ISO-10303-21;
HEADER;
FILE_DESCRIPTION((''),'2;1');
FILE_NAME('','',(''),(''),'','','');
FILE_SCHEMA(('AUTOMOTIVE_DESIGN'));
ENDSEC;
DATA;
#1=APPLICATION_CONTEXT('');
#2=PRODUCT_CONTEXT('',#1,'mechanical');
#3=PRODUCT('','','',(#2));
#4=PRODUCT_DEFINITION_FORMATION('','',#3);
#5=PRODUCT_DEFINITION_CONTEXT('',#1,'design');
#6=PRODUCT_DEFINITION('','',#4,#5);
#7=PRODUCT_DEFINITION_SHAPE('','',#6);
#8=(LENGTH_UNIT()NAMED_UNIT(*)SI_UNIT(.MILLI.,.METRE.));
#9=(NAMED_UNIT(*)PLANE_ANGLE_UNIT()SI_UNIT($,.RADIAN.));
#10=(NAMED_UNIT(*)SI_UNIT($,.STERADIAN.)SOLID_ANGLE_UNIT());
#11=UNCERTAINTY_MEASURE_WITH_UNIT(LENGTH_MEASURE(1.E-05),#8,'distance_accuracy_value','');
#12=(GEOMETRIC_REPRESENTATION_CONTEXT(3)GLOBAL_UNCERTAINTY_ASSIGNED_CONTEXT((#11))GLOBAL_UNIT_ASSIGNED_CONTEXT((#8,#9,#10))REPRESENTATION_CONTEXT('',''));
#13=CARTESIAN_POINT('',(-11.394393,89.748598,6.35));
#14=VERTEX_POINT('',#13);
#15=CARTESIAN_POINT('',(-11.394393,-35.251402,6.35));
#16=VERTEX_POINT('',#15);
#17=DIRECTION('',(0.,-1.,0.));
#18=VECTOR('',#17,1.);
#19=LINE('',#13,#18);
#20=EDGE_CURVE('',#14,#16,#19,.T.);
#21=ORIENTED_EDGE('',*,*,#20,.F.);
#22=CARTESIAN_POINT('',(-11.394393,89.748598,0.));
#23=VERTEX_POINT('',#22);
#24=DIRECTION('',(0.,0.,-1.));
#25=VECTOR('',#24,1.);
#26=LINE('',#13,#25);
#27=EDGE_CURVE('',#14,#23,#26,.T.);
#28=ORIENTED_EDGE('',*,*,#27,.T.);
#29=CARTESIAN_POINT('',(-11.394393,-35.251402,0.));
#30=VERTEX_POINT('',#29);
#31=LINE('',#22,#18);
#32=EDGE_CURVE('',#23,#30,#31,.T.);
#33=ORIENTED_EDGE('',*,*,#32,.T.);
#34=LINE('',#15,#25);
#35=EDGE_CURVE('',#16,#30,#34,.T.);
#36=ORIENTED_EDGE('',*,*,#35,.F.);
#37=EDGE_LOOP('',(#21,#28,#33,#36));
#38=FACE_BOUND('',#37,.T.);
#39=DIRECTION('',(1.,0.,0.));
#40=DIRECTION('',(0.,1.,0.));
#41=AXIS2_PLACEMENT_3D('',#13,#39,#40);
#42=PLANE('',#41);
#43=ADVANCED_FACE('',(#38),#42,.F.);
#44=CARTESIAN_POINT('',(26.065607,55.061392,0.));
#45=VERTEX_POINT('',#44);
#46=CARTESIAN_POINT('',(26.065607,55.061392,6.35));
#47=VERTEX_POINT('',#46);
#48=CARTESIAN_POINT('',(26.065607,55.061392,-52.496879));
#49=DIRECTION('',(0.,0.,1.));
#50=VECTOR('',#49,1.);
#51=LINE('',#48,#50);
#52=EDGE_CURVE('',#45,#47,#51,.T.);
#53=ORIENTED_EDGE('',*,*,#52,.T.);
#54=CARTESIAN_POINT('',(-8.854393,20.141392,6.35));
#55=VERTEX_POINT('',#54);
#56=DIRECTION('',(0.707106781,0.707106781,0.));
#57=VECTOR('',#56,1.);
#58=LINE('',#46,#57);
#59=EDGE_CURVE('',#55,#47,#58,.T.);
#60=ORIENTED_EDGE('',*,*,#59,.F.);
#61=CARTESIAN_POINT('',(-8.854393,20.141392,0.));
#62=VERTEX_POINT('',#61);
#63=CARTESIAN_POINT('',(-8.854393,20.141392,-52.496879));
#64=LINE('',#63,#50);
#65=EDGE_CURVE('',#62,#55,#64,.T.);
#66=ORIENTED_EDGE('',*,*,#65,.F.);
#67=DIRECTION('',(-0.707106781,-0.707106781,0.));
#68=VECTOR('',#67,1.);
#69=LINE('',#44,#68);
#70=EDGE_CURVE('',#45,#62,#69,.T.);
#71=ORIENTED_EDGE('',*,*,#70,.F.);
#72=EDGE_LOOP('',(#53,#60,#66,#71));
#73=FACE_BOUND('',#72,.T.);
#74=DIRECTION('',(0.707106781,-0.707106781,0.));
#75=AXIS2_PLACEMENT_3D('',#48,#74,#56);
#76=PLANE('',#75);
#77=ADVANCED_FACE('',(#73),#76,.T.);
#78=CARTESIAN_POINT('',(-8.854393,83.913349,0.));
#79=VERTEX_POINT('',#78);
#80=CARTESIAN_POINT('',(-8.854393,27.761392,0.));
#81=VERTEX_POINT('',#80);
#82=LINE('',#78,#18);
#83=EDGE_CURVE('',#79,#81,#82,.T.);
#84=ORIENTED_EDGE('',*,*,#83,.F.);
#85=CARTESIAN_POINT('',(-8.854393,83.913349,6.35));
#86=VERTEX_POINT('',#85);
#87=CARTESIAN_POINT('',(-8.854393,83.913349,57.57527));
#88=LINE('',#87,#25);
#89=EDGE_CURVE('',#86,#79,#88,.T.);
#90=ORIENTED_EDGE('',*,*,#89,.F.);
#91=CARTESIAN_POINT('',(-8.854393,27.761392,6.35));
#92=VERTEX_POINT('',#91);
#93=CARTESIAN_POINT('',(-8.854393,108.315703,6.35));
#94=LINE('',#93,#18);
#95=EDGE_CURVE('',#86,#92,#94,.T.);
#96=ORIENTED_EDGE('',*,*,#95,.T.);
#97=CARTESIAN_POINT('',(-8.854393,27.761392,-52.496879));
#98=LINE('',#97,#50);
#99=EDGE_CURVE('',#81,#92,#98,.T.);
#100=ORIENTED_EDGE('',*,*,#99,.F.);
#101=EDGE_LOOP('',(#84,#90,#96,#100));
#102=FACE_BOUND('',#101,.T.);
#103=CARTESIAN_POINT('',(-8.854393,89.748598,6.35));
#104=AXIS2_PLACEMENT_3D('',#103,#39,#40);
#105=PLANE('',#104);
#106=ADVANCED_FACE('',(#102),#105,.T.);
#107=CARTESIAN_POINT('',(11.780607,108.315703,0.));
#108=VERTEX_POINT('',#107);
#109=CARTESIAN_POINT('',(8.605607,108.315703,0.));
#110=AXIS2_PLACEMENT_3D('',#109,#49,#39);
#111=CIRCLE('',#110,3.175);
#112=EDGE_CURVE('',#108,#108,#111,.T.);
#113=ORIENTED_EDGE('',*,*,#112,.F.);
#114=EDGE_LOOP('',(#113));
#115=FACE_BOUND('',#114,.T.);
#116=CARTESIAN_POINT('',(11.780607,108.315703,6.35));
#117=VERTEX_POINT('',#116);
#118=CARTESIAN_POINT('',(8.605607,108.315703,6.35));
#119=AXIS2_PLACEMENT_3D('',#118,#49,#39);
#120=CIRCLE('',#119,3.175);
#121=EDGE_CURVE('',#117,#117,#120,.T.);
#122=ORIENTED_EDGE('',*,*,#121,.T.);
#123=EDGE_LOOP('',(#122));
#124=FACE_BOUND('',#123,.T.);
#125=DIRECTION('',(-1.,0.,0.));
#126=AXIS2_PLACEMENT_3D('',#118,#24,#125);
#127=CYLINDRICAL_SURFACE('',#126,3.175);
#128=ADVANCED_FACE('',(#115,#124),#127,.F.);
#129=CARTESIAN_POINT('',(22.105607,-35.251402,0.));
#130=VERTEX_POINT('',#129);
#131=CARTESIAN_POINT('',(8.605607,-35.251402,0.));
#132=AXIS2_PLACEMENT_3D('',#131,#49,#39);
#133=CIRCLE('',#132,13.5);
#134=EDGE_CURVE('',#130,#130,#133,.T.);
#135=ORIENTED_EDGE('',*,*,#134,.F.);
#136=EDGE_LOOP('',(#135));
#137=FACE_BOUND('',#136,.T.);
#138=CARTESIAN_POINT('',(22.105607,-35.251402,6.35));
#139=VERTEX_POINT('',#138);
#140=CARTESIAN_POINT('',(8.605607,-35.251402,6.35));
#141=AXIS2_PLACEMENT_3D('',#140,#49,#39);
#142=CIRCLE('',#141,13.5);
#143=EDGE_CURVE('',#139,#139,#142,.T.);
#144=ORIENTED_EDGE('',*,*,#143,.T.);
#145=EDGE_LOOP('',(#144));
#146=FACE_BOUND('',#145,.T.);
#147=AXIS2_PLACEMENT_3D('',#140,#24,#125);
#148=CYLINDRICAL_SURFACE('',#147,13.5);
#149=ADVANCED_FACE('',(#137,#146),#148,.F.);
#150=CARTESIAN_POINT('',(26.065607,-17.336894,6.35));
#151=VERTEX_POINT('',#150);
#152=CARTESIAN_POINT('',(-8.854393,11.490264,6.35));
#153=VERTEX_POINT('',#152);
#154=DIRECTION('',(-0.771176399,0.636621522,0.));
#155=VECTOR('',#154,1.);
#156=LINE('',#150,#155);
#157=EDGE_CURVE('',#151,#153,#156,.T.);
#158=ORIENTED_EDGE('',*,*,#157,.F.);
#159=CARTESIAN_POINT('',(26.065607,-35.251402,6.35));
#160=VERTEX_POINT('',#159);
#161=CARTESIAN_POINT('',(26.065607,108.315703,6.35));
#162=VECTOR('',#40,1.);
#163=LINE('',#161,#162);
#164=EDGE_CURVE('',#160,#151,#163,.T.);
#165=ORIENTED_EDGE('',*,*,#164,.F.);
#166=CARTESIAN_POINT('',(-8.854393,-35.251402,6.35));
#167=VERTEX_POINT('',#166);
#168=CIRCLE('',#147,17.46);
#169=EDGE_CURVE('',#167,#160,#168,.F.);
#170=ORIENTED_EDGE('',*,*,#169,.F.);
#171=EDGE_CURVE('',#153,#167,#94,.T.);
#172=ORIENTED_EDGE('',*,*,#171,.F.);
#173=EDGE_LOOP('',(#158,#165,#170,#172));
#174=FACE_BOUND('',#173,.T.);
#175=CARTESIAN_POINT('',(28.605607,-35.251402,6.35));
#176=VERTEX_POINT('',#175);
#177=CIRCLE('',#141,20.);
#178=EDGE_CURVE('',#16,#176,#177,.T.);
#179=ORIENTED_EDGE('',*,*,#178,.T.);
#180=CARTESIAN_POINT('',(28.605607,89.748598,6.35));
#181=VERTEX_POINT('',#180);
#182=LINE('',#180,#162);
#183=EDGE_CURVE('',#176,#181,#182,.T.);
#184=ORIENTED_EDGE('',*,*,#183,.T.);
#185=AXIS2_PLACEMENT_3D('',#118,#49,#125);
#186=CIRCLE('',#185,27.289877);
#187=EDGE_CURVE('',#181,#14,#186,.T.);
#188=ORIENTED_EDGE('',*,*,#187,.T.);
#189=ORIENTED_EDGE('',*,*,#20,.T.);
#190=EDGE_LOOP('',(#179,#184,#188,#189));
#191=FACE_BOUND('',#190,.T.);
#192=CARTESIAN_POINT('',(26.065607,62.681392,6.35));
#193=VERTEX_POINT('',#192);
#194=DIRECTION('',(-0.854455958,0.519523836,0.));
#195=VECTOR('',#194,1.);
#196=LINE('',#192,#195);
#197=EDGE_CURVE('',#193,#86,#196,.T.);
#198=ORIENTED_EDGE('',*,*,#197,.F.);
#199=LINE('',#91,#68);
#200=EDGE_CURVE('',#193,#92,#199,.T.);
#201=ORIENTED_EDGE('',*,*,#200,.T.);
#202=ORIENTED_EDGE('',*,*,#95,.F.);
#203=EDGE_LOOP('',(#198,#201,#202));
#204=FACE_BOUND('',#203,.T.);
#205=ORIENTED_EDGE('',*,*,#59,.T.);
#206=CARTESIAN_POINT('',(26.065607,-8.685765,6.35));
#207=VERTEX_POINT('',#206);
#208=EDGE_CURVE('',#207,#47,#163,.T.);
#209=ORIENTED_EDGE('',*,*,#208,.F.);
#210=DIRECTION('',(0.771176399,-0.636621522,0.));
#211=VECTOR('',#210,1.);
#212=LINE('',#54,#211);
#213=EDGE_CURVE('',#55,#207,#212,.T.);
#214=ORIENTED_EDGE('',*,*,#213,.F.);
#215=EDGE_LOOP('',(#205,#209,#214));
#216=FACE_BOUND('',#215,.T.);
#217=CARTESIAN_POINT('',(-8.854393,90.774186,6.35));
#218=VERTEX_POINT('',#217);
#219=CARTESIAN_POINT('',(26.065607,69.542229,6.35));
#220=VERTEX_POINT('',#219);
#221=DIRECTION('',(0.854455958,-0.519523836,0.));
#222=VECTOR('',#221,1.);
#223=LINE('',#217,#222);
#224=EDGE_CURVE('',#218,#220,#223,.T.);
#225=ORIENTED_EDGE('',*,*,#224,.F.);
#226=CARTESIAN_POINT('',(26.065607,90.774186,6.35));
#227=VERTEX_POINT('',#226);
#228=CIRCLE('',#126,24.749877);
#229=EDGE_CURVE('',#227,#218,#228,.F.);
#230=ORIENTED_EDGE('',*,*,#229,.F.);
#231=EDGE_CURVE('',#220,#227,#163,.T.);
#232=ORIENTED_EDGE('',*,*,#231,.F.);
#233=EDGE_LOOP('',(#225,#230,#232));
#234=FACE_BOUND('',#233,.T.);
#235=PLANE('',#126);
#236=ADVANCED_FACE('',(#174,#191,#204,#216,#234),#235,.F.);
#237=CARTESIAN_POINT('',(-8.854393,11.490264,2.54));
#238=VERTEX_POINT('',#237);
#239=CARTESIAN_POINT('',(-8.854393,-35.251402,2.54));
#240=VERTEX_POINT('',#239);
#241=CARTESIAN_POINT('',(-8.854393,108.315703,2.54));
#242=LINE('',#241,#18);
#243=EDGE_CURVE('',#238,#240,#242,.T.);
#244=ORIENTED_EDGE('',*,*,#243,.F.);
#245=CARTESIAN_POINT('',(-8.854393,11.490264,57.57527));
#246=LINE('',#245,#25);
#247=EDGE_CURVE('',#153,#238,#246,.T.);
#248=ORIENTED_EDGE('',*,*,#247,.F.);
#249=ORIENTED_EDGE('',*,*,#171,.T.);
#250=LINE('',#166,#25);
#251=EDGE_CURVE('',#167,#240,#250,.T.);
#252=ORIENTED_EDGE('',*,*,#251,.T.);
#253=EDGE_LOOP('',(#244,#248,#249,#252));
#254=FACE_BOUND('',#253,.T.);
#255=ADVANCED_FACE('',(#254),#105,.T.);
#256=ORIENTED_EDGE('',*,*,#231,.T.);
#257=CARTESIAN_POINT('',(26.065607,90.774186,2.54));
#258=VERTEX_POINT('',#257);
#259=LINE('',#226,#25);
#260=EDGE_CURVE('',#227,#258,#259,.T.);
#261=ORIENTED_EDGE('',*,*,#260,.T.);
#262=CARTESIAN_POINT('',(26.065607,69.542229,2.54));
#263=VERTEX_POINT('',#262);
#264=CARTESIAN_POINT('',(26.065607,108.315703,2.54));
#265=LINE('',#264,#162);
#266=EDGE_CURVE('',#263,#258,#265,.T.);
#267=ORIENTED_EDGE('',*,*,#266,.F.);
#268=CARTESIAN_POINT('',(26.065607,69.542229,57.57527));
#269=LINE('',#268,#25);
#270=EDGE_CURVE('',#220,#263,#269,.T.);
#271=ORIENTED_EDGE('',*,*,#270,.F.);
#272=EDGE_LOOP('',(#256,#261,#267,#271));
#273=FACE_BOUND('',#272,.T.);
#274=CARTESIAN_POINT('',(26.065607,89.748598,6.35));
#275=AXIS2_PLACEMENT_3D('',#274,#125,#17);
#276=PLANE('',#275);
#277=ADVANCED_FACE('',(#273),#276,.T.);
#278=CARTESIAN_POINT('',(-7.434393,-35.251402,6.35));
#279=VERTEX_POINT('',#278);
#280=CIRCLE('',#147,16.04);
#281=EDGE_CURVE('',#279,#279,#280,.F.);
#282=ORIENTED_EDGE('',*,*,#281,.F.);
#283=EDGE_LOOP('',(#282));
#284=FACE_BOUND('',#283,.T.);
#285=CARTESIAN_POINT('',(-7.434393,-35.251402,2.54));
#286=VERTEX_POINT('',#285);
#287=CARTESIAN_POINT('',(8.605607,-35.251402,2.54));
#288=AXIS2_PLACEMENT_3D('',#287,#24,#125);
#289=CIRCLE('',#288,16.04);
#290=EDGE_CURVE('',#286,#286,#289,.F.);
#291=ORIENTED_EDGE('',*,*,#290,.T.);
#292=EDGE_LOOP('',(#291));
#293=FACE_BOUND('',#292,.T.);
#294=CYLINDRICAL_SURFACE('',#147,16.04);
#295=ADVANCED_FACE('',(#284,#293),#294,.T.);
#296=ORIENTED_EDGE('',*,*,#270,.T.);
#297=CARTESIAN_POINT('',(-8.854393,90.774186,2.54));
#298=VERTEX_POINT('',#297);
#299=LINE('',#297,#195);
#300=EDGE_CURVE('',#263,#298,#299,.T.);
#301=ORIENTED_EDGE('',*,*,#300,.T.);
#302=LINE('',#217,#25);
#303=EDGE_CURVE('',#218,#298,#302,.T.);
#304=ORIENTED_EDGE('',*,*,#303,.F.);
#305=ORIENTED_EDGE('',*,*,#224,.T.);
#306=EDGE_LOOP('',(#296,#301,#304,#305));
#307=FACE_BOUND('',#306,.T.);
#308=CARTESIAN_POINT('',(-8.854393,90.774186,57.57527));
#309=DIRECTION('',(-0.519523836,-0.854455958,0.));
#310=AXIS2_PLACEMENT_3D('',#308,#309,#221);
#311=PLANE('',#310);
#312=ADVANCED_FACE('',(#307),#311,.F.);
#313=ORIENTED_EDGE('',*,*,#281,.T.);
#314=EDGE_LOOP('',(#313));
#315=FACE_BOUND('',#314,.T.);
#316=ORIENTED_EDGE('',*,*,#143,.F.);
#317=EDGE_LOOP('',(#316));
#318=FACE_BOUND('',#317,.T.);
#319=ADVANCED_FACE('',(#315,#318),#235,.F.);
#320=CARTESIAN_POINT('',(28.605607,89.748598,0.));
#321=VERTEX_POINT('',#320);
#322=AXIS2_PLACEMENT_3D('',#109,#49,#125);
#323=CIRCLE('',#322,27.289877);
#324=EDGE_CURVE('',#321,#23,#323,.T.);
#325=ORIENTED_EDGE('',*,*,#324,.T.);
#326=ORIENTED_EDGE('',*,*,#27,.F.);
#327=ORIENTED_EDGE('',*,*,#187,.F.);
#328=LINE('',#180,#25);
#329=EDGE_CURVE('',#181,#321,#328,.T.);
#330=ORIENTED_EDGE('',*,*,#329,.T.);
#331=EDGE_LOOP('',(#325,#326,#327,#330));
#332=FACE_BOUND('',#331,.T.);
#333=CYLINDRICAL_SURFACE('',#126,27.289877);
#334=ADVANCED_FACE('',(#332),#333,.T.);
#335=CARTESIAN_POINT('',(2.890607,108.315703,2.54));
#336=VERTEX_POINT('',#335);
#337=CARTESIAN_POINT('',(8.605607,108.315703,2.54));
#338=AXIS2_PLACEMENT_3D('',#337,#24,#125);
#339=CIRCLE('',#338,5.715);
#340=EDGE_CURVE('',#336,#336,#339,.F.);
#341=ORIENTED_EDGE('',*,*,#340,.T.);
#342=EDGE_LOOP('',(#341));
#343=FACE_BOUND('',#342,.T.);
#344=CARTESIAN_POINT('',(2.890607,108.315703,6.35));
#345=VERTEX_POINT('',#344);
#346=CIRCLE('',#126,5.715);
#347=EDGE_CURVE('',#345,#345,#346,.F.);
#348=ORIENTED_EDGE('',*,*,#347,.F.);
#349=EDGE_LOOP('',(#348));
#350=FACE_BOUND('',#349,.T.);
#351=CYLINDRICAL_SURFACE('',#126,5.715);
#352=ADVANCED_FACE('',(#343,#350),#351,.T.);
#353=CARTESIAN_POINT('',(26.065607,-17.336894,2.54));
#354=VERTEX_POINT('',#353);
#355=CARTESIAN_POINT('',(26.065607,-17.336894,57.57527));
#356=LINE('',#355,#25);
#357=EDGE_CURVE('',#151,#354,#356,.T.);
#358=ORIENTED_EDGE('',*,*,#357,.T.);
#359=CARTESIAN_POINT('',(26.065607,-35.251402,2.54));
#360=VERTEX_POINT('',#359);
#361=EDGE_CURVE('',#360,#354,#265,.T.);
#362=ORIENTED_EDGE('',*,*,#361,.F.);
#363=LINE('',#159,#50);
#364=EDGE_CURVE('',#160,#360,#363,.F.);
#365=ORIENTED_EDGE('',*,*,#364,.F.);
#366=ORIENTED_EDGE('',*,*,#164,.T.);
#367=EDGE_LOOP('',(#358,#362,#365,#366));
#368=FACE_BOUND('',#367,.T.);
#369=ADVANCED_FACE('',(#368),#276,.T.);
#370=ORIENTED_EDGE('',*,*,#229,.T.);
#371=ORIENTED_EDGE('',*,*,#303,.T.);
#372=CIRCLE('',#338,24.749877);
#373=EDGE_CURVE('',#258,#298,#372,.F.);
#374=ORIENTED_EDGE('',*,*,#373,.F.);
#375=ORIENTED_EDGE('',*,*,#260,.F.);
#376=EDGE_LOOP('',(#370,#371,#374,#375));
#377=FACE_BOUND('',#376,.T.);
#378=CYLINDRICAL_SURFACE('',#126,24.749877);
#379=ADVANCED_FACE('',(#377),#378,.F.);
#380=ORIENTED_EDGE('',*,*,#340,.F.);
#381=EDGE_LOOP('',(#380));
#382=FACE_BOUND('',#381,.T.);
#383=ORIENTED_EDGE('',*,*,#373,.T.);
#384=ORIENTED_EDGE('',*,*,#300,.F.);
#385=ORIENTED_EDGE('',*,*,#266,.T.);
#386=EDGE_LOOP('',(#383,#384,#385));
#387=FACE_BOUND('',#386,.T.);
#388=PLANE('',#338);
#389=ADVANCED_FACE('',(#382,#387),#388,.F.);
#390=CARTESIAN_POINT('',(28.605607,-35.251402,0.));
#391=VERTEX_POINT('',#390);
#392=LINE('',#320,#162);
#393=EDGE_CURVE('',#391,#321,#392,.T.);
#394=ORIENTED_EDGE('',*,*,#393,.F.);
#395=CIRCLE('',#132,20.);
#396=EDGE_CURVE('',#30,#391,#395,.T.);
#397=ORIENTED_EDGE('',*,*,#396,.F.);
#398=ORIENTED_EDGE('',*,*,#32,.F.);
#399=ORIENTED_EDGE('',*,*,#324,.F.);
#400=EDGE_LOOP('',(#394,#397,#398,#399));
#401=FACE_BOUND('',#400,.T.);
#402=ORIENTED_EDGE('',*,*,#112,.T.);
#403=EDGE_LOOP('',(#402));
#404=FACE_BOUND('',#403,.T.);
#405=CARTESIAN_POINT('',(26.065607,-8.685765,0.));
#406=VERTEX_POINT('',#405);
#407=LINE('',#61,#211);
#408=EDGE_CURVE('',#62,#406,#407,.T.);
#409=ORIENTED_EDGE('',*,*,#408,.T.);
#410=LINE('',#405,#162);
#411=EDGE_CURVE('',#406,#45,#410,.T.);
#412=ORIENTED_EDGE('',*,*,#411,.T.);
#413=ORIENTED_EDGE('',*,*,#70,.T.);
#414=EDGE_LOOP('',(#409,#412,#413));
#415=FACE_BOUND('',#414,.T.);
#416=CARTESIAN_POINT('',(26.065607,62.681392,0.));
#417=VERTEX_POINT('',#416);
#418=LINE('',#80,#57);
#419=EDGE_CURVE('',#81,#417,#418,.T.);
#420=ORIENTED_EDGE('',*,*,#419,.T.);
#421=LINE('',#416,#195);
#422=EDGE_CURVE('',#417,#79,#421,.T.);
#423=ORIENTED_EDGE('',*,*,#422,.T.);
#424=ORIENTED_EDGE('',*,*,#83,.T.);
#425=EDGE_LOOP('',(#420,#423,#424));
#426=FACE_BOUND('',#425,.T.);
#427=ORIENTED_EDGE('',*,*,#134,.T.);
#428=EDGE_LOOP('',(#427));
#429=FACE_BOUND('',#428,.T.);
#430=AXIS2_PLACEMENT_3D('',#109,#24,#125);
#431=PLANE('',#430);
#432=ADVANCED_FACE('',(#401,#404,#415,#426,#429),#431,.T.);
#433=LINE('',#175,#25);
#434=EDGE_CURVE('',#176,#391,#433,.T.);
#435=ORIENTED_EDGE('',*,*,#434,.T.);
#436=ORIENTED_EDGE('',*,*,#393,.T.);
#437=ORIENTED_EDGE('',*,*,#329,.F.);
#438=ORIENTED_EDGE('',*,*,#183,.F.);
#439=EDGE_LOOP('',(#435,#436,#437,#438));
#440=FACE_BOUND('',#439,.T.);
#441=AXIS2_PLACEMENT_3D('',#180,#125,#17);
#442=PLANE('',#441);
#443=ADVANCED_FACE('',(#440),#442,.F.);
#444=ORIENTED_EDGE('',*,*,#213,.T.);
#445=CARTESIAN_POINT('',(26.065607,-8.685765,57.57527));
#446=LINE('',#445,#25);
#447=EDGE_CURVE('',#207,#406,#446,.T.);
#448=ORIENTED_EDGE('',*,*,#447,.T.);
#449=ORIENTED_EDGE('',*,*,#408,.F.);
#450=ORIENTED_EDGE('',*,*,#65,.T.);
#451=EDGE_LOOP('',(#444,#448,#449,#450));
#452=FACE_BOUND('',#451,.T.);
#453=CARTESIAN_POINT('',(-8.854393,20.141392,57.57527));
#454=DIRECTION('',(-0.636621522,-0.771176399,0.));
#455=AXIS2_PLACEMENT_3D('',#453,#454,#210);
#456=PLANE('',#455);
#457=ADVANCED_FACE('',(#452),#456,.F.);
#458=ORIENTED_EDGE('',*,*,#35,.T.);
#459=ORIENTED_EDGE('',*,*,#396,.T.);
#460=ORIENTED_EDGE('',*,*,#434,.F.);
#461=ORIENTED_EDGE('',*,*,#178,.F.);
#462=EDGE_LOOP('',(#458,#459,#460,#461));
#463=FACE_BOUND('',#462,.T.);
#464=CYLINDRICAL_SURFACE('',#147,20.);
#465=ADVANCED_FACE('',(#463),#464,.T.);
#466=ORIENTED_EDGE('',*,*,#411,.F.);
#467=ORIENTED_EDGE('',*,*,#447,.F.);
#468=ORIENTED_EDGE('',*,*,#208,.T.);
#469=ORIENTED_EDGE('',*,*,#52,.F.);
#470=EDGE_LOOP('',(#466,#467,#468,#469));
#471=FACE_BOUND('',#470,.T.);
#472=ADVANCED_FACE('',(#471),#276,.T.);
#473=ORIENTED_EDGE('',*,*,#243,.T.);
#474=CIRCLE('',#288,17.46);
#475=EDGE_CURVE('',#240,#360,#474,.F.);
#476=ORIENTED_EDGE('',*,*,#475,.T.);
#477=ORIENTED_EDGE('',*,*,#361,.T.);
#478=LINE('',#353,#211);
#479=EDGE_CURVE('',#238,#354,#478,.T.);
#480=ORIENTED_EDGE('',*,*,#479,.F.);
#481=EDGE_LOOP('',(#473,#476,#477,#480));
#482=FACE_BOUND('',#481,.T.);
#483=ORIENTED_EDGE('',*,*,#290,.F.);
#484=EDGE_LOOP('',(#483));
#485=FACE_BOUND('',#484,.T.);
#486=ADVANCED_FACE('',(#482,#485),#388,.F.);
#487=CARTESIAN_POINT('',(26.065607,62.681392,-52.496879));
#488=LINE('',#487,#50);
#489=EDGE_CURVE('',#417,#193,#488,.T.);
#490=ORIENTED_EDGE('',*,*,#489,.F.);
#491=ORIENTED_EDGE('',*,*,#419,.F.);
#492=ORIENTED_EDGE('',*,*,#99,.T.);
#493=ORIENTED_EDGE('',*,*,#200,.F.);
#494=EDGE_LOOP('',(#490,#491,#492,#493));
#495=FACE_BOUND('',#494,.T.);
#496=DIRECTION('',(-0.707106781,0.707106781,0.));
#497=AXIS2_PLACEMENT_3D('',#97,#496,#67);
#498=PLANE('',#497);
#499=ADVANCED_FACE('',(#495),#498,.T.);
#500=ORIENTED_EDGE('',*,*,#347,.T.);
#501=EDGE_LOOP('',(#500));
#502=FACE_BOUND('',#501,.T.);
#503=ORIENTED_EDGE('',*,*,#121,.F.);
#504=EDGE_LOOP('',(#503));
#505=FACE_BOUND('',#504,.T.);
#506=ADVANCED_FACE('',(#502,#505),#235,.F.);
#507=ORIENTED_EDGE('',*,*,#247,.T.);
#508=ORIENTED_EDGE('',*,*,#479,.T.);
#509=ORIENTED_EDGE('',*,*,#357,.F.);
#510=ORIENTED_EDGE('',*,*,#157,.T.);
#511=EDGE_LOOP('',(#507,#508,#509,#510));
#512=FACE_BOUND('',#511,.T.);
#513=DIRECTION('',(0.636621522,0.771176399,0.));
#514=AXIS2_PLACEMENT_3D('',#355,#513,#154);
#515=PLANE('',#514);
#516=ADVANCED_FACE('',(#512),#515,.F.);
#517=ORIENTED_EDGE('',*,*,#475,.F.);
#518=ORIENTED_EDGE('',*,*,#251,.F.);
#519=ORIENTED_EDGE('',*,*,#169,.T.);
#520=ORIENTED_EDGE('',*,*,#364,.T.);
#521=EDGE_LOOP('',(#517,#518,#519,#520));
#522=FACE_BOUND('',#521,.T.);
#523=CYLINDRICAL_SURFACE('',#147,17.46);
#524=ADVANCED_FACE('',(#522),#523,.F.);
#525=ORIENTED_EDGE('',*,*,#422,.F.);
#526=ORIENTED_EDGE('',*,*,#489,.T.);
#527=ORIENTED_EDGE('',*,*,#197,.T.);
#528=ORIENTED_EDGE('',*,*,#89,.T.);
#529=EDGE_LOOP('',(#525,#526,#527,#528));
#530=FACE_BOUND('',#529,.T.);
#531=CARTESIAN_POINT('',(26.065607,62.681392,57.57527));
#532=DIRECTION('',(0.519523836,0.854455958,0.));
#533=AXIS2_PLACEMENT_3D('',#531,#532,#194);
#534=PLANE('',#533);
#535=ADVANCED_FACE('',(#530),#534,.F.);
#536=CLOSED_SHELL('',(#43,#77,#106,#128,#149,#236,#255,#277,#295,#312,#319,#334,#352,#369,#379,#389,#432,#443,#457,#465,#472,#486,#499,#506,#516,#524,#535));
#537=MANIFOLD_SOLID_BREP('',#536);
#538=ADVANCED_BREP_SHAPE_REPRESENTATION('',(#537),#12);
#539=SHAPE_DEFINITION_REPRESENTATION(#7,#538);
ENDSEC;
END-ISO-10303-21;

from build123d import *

# Parameters (mm, degrees)
SKETCH1_R           = 13.5
SKETCH1_R_2         = 3.175
BOSS_EXTRUDE1_DEPTH = 6.35
SHELL1_T            = -2.54
BOSS_EXTRUDE2_DEPTH = 3.81
BOSS_EXTRUDE3_DEPTH = 3.81
CUT_EXTRUDE1_DEPTH  = 141.327742832


with BuildPart() as part:
    # Sketch1 → Boss-Extrude1 (new body)
    with BuildSketch(Plane.XY):
        with BuildLine():
            Line((-11.394392523, 89.748598131), (-11.394392523, -35.251401869))
            ThreePointArc((-11.394392523, -35.251401869), (8.605607477, -55.251401869), (28.605607477, -35.251401869))
            Line((28.605607477, -35.251401869), (28.605607477, 89.748598131))
            ThreePointArc((28.605607477, 89.748598131), (8.605607477, 135.605580593), (-11.394392523, 89.748598131))
        make_face()
        with Locations((8.605607477, -35.251401869)):
            Circle(SKETCH1_R, mode=Mode.SUBTRACT)
        with Locations((8.605607477, 108.315703391)):
            Circle(SKETCH1_R_2, mode=Mode.SUBTRACT)
    extrude(amount=BOSS_EXTRUDE1_DEPTH)

    # Shell1
    shell1_openings = [part.faces().sort_by_distance(p)[0] for p in [
        (8.605607477, 50.282735683, 6.35),
    ]]
    offset(amount=SHELL1_T, openings=shell1_openings, kind=Kind.INTERSECTION)

    # Sketch2 → Boss-Extrude2 (add)
    with BuildSketch(Plane.XY.offset(6.35)):
        Polygon((-8.854392523, 27.76139222), (26.065607477, 62.68139222), (26.065607477, 55.06139222), (-8.854392523, 20.14139222), align=None)
    extrude(amount=-BOSS_EXTRUDE2_DEPTH)

    # Sketch3 → Boss-Extrude3 (add)
    with BuildSketch(Plane.XY.offset(2.54)):
        Polygon((26.065607477, 62.68139222), (-8.854392523, 83.913349477), (-8.854392523, 90.774186309), (26.065607477, 69.542229051), align=None)
        Polygon((-8.854392523, 20.14139222), (26.065607477, -8.685765345), (26.065607477, -17.33689372), (-8.854392523, 11.490263845), align=None)
    extrude(amount=BOSS_EXTRUDE3_DEPTH)

    # Sketch4 → Cut-Extrude1 (cut, through all)
    with BuildSketch(Plane.XY.offset(2.54)):
        Polygon((-8.854392523, 27.76139222), (26.065607477, 62.68139222), (-8.854392523, 83.913349477), align=None)
        Polygon((-8.854392523, 20.14139222), (26.065607477, -8.685765345), (26.065607477, 55.06139222), align=None)
    extrude(amount=-CUT_EXTRUDE1_DEPTH, mode=Mode.SUBTRACT)


solid = part.part
